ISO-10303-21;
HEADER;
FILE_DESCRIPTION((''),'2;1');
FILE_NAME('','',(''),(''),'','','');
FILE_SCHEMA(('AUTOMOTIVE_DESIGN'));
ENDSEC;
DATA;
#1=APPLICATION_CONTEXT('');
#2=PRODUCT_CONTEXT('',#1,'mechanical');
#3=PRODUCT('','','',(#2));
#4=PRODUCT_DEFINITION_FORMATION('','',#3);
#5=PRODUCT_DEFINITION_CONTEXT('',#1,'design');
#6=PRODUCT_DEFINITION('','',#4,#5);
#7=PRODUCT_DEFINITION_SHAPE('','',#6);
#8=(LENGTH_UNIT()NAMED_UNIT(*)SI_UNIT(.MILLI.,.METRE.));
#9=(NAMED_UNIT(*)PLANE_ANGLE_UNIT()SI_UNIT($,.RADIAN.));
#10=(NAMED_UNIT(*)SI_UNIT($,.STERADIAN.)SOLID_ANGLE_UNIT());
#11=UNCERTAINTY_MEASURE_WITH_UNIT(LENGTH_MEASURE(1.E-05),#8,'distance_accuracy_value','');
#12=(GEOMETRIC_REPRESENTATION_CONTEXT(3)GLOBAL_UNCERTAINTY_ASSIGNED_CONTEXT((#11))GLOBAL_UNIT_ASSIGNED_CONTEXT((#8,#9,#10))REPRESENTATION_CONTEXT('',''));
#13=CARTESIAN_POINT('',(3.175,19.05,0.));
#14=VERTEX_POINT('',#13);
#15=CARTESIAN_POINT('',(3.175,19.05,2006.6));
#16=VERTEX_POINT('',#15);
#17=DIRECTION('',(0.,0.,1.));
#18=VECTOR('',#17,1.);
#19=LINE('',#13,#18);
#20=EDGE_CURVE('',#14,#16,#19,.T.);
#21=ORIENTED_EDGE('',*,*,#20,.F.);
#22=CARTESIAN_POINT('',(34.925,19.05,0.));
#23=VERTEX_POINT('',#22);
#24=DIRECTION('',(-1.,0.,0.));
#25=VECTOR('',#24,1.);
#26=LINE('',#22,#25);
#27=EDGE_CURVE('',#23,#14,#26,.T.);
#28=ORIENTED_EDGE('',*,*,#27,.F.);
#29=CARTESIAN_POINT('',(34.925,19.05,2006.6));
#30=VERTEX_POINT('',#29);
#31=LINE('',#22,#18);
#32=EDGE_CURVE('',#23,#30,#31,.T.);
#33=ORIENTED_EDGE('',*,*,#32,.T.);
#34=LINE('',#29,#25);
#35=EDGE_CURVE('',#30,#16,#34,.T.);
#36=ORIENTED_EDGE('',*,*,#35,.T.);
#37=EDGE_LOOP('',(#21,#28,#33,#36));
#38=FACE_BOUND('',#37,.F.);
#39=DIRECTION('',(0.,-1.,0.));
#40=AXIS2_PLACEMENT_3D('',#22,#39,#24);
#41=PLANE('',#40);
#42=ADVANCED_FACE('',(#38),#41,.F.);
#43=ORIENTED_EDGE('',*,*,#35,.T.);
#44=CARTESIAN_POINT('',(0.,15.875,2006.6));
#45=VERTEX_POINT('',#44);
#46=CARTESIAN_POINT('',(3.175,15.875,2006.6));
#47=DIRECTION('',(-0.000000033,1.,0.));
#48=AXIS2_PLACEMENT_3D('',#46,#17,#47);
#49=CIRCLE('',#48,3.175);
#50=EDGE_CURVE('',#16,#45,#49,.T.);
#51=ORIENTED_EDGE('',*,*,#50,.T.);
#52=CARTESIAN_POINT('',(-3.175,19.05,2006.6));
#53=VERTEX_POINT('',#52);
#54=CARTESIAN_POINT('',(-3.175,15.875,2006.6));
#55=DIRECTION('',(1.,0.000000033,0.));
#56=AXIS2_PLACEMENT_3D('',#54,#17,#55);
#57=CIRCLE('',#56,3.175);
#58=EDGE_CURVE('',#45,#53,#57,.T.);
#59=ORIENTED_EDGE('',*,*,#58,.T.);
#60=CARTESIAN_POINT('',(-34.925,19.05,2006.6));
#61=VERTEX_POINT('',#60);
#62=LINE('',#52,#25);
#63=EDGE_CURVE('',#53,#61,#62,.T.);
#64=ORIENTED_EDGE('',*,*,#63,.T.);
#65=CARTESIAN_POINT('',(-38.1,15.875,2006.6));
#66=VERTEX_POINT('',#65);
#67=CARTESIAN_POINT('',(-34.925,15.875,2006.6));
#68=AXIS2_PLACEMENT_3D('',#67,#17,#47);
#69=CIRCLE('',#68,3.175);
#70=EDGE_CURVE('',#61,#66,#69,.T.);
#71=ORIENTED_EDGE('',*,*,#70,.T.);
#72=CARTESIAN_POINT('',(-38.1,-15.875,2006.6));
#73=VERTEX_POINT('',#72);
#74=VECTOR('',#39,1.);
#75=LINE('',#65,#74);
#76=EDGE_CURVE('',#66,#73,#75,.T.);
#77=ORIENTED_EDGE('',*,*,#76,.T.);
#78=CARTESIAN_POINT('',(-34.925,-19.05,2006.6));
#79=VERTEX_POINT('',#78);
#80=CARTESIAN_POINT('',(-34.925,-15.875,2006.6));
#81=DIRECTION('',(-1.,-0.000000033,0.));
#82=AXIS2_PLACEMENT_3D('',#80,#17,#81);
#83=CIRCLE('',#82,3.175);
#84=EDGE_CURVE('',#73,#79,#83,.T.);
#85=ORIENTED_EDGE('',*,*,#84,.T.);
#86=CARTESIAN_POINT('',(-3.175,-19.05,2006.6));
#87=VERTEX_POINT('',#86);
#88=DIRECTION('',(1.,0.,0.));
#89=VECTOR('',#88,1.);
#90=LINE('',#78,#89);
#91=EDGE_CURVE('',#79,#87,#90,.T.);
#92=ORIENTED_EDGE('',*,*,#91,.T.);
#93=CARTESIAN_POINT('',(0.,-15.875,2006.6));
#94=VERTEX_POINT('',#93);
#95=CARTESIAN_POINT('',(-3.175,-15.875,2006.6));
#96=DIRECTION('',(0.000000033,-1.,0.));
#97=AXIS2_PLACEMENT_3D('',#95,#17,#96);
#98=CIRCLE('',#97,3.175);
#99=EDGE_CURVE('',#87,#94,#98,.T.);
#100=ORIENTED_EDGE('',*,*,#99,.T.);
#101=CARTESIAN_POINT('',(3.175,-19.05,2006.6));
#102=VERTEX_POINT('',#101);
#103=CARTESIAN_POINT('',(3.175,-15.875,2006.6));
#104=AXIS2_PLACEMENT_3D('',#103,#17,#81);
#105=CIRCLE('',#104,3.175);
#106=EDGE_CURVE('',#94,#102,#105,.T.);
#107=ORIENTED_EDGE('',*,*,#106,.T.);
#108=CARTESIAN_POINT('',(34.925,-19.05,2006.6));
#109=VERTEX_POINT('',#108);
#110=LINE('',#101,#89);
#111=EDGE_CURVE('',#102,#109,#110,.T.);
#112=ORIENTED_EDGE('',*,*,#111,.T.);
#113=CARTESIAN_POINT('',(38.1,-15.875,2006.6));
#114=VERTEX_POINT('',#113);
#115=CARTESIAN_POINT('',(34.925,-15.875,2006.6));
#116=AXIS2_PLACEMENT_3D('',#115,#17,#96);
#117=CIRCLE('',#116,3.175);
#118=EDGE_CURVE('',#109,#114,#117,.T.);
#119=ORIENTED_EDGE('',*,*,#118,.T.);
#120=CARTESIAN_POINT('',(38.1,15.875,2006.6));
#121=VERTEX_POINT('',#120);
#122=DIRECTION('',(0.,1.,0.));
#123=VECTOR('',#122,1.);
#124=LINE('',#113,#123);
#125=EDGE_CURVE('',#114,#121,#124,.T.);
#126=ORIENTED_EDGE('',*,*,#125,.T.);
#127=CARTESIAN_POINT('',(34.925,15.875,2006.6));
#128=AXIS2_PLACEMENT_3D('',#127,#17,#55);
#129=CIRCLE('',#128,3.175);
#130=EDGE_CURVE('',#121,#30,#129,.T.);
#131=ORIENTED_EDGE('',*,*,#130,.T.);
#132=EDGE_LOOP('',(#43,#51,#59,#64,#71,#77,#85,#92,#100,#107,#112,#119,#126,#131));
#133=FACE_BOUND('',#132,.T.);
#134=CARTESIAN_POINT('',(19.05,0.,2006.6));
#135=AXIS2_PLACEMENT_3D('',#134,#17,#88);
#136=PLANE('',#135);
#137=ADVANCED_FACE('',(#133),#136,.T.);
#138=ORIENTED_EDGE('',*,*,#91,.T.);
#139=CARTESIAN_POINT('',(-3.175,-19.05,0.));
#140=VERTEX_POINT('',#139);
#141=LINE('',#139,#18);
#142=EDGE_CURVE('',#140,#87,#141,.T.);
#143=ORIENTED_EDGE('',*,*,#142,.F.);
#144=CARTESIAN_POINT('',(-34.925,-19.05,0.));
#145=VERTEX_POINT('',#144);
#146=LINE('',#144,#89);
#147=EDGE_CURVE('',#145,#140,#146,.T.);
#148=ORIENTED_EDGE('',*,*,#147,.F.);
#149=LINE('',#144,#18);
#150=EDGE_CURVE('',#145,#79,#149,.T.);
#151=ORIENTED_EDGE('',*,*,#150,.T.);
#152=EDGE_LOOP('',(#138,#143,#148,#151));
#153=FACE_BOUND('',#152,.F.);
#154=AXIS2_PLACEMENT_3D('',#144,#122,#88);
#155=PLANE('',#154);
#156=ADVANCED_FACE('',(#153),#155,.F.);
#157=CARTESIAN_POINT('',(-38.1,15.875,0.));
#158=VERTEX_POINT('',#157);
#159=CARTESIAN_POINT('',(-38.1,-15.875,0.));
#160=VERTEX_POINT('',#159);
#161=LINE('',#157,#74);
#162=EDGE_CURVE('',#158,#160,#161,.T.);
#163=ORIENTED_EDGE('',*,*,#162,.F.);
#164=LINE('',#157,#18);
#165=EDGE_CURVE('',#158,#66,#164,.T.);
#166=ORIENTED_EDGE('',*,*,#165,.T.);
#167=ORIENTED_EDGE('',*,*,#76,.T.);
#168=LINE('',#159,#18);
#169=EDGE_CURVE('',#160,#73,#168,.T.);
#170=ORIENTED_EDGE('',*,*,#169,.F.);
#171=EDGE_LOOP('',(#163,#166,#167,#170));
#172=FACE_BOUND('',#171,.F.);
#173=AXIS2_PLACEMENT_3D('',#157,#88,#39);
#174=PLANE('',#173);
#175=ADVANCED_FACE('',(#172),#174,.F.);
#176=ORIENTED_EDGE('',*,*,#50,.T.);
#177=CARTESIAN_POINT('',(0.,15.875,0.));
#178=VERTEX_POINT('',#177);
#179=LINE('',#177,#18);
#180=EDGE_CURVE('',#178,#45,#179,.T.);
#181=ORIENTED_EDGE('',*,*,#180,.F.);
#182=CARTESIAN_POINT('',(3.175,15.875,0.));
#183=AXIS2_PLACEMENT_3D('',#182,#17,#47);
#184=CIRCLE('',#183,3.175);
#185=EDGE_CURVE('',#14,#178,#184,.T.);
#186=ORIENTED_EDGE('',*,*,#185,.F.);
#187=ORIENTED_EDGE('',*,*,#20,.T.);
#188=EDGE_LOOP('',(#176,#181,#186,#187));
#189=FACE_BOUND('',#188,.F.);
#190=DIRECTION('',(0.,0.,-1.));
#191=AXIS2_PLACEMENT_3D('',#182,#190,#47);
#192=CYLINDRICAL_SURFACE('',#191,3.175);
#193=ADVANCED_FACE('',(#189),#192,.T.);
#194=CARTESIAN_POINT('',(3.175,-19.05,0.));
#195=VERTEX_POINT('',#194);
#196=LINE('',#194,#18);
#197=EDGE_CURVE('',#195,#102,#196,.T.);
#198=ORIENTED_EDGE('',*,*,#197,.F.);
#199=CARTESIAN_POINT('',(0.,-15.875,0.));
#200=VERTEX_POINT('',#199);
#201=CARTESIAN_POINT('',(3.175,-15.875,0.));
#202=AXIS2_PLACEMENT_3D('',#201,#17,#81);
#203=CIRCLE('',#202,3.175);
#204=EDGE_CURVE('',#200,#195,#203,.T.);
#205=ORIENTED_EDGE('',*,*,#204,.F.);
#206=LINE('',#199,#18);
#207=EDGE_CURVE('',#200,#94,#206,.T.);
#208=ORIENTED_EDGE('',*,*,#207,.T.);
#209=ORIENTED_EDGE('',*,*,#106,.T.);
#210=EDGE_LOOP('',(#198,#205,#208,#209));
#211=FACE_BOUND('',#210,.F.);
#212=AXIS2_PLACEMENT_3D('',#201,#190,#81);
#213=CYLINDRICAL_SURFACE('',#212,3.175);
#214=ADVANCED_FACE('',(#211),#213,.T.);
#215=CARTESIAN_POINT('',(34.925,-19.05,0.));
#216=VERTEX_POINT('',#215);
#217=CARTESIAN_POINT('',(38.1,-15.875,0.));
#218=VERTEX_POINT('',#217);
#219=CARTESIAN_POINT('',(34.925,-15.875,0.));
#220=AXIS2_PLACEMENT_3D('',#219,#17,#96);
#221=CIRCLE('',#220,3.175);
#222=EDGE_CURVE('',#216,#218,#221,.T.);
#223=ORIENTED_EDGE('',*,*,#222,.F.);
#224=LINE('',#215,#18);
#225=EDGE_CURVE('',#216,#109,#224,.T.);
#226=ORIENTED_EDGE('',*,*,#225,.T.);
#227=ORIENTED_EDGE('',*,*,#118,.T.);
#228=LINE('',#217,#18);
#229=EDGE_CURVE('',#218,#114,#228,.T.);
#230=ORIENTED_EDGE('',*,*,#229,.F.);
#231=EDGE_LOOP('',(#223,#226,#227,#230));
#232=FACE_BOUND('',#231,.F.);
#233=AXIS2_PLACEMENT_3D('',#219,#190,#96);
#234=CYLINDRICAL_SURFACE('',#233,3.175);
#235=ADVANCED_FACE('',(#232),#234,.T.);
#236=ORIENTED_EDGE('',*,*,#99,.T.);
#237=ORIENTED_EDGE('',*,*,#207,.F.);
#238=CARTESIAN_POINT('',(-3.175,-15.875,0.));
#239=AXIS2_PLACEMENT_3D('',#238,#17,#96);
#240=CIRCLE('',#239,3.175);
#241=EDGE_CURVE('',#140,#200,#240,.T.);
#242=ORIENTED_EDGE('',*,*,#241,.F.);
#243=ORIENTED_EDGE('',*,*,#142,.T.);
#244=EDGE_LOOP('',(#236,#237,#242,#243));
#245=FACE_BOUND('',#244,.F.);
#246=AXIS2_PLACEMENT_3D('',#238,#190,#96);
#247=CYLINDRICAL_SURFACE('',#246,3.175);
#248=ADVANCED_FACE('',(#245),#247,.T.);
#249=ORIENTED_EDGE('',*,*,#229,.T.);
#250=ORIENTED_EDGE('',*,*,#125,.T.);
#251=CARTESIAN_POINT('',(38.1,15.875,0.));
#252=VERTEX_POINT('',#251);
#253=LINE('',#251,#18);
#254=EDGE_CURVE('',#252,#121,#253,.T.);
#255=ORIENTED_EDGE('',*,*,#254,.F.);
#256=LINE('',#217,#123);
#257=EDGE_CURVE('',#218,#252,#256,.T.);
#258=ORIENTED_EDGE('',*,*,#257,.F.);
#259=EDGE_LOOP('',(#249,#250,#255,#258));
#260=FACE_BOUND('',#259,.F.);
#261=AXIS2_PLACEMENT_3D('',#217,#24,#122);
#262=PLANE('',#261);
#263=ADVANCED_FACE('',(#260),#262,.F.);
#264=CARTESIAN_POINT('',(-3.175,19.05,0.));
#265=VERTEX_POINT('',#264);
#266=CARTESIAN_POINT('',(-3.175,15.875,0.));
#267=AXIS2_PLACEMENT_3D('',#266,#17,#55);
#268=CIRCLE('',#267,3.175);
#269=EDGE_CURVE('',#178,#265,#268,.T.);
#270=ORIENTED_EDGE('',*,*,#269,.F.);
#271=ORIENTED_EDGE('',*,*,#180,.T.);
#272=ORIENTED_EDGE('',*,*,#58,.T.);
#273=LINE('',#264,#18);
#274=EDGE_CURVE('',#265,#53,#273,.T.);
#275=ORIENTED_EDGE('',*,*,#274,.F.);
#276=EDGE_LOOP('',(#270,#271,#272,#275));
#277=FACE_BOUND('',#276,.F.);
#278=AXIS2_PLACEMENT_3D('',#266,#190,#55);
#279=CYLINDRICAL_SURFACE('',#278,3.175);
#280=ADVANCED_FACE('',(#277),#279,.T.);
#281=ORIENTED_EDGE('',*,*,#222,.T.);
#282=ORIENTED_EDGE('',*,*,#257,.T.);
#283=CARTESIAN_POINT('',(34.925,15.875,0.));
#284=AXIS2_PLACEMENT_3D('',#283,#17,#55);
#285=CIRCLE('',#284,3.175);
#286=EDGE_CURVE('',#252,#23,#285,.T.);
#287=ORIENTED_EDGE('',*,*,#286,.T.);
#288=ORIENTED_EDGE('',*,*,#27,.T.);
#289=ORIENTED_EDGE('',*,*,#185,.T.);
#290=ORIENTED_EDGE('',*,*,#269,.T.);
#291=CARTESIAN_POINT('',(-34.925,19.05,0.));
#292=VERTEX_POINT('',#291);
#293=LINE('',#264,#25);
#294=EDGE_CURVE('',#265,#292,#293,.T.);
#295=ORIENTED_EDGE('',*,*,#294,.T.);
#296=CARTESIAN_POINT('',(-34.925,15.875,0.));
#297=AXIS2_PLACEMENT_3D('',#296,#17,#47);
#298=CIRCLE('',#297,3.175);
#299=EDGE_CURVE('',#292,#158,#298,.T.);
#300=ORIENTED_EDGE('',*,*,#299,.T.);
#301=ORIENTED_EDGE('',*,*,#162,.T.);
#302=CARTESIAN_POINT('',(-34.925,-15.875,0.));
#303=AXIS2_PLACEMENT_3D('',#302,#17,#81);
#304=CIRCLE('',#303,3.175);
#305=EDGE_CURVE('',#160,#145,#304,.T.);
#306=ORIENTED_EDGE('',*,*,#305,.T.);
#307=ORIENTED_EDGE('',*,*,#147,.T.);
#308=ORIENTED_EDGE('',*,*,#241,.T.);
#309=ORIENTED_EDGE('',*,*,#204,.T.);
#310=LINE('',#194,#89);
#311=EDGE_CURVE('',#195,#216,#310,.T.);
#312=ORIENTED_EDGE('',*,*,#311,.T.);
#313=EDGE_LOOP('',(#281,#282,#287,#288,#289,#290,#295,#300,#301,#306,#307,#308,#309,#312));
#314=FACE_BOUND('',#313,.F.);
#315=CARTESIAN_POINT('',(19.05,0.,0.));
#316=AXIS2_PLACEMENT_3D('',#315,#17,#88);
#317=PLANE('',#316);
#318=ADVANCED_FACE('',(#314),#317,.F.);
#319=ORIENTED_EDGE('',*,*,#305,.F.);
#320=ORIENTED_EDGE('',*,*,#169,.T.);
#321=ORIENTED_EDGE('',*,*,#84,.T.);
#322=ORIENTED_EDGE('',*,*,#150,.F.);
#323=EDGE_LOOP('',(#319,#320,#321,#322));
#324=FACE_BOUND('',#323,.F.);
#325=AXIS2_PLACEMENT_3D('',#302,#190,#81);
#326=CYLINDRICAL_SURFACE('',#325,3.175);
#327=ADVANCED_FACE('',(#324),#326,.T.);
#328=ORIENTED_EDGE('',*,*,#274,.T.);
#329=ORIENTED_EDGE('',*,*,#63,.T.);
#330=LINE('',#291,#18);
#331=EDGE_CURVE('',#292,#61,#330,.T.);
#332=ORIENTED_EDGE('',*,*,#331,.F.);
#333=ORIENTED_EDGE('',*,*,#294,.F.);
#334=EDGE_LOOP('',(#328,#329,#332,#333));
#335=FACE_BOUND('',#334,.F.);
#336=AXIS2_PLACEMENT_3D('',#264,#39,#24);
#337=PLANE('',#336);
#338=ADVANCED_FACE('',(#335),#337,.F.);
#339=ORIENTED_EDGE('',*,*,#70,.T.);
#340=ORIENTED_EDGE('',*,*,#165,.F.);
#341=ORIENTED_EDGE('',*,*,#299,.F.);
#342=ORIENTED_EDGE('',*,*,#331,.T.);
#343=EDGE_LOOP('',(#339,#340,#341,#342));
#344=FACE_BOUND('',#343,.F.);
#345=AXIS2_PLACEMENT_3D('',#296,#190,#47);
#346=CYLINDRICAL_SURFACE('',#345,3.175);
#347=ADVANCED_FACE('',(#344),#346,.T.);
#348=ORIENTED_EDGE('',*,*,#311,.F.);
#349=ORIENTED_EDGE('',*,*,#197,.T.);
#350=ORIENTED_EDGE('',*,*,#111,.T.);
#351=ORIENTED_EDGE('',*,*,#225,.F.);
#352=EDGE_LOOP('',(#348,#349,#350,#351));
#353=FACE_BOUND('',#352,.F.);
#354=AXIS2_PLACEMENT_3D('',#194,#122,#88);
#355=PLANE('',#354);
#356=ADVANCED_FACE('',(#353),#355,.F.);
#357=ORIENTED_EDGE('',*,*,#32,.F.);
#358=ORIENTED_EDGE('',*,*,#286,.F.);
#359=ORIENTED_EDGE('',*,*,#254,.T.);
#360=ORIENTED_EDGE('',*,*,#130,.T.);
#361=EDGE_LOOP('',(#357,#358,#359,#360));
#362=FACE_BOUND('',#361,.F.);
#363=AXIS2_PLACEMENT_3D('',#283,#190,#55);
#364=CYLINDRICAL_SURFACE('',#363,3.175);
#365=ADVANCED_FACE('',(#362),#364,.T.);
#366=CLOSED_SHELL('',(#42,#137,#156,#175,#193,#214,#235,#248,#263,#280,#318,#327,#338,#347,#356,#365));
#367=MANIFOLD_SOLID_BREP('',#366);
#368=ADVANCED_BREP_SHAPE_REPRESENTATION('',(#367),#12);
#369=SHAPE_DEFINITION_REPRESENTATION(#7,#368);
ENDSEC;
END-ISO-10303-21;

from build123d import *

# Parameters (mm, degrees)
F1_DEPTH = 2006.6


with BuildPart() as f1:
    # F0 (on Top) → F1 (new body)
    with BuildSketch(Plane.XY):
        with BuildLine():
            ThreePointArc((38.1, 15.875), (37.170064, 18.120064), (34.925, 19.05))
            Line((34.925, 19.05), (3.175, 19.05))
            ThreePointArc((3.175, 19.05), (0.929936, 18.120064), (0, 15.875))
            Line((0, 15.875), (0, -15.875))
            ThreePointArc((0, -15.875), (0.929936, -18.120064), (3.175, -19.05))
            Line((3.175, -19.05), (34.925, -19.05))
            ThreePointArc((34.925, -19.05), (37.170064, -18.120064), (38.1, -15.875))
            Line((38.1, -15.875), (38.1, 15.875))
        make_face()
        with BuildLine():
            Line((0, -15.875), (0, 15.875))
            ThreePointArc((0, 15.875), (-0.929936, 18.120064), (-3.175, 19.05))
            Line((-3.175, 19.05), (-34.925, 19.05))
            ThreePointArc((-34.925, 19.05), (-37.170064, 18.120064), (-38.1, 15.875))
            Line((-38.1, 15.875), (-38.1, -15.875))
            ThreePointArc((-38.1, -15.875), (-37.170064, -18.120064), (-34.925, -19.05))
            Line((-34.925, -19.05), (-3.175, -19.05))
            ThreePointArc((-3.175, -19.05), (-0.929936, -18.120064), (0, -15.875))
        make_face()
    extrude(amount=F1_DEPTH)


solid = f1.part
